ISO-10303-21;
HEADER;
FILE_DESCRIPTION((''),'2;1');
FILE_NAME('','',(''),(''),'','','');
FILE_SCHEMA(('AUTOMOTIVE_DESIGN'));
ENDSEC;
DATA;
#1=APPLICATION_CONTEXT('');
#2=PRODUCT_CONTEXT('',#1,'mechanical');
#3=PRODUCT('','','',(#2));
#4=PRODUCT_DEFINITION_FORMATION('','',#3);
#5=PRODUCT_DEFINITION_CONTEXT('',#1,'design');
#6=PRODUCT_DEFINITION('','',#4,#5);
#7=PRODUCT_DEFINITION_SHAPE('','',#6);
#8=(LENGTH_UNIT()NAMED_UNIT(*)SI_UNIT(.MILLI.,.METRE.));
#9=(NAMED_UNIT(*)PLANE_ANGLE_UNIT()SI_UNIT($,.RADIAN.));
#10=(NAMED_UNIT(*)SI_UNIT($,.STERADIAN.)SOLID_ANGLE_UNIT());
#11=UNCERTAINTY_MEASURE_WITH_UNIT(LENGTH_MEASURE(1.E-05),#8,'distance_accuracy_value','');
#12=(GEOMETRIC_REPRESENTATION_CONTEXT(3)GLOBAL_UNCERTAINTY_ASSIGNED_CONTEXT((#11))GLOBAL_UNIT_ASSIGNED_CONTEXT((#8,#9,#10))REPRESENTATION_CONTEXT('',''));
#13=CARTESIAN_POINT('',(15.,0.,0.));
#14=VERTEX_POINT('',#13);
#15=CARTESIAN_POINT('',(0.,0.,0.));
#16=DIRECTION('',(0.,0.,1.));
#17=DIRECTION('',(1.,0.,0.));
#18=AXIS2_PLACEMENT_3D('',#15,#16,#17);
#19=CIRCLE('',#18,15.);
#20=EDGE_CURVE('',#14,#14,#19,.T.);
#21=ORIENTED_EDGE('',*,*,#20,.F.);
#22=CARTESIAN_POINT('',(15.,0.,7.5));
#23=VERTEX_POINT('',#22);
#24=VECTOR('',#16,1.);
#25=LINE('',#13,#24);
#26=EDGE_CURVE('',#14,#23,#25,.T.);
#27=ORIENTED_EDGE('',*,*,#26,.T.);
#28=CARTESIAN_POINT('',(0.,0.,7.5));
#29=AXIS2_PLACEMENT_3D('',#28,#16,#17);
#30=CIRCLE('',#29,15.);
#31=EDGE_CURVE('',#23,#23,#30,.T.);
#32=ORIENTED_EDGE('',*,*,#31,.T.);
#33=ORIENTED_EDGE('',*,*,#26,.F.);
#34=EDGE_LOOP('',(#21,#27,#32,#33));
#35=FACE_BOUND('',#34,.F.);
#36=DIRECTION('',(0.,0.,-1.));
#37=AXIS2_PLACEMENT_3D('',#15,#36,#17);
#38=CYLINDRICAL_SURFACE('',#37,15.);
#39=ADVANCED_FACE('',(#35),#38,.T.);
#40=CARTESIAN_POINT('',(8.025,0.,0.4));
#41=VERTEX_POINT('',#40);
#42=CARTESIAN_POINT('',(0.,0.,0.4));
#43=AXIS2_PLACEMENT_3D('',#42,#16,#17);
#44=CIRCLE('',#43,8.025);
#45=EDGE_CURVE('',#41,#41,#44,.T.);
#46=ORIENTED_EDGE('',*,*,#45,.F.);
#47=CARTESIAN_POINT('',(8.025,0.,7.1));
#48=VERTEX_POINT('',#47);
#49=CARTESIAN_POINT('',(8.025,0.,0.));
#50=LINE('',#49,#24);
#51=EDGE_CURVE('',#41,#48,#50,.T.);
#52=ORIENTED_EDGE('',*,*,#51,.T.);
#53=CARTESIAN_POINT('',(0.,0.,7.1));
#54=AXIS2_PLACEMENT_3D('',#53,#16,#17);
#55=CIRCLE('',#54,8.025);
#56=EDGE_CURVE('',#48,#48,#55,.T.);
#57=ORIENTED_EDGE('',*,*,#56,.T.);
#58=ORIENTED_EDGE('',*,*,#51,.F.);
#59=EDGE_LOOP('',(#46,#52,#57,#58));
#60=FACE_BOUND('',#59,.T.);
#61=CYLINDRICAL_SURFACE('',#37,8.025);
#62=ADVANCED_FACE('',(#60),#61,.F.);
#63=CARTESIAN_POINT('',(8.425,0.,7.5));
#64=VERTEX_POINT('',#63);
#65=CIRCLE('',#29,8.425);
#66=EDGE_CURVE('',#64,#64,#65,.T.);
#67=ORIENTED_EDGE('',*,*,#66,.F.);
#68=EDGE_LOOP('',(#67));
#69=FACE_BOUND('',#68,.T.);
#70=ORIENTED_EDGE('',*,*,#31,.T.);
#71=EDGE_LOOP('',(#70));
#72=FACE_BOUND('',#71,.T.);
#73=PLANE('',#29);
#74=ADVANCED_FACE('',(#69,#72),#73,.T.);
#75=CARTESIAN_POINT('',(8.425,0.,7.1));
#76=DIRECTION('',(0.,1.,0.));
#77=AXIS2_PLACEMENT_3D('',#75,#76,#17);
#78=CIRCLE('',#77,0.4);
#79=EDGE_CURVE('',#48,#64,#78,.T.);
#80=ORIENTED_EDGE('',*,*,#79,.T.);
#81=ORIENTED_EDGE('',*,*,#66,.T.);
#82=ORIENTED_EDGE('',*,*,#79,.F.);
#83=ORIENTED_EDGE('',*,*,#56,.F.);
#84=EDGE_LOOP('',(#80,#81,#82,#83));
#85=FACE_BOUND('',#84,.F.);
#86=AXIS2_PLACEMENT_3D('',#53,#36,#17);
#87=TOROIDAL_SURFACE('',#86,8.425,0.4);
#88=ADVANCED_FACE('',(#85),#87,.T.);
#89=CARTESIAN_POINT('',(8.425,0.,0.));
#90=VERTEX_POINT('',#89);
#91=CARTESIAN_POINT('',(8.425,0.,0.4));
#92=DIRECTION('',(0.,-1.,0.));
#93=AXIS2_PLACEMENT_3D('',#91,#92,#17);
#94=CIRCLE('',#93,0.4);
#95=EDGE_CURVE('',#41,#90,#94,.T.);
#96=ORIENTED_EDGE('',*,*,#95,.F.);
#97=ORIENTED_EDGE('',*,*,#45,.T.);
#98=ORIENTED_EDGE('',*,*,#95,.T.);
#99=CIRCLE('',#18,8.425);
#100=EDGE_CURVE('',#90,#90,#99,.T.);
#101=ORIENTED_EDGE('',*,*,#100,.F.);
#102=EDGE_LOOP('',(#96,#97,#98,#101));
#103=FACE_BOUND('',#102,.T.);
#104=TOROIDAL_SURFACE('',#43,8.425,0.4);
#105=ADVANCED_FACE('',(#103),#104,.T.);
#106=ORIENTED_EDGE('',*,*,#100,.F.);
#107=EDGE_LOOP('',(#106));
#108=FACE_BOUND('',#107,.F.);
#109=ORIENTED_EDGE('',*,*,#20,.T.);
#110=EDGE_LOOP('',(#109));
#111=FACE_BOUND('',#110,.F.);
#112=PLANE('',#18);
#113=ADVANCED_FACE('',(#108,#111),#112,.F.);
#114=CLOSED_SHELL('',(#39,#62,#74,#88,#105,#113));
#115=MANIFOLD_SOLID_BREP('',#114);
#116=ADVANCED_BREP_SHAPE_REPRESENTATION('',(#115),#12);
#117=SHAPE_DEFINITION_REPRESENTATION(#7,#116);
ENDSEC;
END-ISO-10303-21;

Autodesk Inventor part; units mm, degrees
ref_plane "YZ Plane" through (0, 0, 0) normal (1, 0, 0) x (0, 1, 0)
ref_plane "XZ Plane" through (0, 0, 0) normal (0, 1, 0) x (-1, 0, 0)
ref_plane "XY Plane" through (0, 0, 0) normal (0, 0, 1) x (1, 0, 0)
sketch "Sketch1" plane through (0, 0, 0) normal (0, 0, 1) x (1, 0, 0)
  circle A0 centre (0, 0) radius 8.025
  circle A1 centre (0, 0) radius 0.3163
  circle A2 centre (0, 0) radius 15
  dimension "d0" = 16.05
  dimension "d1" = 30
extrude "Extrusion1" add sketch "Sketch1" along normal blind 7.5 contours A2
fillet "Fillet1" radius 0.4 2 edges at (-8.025, 0, 7.5) (-8.025, 0, 0)
properties part number "Wheel_16-30"
